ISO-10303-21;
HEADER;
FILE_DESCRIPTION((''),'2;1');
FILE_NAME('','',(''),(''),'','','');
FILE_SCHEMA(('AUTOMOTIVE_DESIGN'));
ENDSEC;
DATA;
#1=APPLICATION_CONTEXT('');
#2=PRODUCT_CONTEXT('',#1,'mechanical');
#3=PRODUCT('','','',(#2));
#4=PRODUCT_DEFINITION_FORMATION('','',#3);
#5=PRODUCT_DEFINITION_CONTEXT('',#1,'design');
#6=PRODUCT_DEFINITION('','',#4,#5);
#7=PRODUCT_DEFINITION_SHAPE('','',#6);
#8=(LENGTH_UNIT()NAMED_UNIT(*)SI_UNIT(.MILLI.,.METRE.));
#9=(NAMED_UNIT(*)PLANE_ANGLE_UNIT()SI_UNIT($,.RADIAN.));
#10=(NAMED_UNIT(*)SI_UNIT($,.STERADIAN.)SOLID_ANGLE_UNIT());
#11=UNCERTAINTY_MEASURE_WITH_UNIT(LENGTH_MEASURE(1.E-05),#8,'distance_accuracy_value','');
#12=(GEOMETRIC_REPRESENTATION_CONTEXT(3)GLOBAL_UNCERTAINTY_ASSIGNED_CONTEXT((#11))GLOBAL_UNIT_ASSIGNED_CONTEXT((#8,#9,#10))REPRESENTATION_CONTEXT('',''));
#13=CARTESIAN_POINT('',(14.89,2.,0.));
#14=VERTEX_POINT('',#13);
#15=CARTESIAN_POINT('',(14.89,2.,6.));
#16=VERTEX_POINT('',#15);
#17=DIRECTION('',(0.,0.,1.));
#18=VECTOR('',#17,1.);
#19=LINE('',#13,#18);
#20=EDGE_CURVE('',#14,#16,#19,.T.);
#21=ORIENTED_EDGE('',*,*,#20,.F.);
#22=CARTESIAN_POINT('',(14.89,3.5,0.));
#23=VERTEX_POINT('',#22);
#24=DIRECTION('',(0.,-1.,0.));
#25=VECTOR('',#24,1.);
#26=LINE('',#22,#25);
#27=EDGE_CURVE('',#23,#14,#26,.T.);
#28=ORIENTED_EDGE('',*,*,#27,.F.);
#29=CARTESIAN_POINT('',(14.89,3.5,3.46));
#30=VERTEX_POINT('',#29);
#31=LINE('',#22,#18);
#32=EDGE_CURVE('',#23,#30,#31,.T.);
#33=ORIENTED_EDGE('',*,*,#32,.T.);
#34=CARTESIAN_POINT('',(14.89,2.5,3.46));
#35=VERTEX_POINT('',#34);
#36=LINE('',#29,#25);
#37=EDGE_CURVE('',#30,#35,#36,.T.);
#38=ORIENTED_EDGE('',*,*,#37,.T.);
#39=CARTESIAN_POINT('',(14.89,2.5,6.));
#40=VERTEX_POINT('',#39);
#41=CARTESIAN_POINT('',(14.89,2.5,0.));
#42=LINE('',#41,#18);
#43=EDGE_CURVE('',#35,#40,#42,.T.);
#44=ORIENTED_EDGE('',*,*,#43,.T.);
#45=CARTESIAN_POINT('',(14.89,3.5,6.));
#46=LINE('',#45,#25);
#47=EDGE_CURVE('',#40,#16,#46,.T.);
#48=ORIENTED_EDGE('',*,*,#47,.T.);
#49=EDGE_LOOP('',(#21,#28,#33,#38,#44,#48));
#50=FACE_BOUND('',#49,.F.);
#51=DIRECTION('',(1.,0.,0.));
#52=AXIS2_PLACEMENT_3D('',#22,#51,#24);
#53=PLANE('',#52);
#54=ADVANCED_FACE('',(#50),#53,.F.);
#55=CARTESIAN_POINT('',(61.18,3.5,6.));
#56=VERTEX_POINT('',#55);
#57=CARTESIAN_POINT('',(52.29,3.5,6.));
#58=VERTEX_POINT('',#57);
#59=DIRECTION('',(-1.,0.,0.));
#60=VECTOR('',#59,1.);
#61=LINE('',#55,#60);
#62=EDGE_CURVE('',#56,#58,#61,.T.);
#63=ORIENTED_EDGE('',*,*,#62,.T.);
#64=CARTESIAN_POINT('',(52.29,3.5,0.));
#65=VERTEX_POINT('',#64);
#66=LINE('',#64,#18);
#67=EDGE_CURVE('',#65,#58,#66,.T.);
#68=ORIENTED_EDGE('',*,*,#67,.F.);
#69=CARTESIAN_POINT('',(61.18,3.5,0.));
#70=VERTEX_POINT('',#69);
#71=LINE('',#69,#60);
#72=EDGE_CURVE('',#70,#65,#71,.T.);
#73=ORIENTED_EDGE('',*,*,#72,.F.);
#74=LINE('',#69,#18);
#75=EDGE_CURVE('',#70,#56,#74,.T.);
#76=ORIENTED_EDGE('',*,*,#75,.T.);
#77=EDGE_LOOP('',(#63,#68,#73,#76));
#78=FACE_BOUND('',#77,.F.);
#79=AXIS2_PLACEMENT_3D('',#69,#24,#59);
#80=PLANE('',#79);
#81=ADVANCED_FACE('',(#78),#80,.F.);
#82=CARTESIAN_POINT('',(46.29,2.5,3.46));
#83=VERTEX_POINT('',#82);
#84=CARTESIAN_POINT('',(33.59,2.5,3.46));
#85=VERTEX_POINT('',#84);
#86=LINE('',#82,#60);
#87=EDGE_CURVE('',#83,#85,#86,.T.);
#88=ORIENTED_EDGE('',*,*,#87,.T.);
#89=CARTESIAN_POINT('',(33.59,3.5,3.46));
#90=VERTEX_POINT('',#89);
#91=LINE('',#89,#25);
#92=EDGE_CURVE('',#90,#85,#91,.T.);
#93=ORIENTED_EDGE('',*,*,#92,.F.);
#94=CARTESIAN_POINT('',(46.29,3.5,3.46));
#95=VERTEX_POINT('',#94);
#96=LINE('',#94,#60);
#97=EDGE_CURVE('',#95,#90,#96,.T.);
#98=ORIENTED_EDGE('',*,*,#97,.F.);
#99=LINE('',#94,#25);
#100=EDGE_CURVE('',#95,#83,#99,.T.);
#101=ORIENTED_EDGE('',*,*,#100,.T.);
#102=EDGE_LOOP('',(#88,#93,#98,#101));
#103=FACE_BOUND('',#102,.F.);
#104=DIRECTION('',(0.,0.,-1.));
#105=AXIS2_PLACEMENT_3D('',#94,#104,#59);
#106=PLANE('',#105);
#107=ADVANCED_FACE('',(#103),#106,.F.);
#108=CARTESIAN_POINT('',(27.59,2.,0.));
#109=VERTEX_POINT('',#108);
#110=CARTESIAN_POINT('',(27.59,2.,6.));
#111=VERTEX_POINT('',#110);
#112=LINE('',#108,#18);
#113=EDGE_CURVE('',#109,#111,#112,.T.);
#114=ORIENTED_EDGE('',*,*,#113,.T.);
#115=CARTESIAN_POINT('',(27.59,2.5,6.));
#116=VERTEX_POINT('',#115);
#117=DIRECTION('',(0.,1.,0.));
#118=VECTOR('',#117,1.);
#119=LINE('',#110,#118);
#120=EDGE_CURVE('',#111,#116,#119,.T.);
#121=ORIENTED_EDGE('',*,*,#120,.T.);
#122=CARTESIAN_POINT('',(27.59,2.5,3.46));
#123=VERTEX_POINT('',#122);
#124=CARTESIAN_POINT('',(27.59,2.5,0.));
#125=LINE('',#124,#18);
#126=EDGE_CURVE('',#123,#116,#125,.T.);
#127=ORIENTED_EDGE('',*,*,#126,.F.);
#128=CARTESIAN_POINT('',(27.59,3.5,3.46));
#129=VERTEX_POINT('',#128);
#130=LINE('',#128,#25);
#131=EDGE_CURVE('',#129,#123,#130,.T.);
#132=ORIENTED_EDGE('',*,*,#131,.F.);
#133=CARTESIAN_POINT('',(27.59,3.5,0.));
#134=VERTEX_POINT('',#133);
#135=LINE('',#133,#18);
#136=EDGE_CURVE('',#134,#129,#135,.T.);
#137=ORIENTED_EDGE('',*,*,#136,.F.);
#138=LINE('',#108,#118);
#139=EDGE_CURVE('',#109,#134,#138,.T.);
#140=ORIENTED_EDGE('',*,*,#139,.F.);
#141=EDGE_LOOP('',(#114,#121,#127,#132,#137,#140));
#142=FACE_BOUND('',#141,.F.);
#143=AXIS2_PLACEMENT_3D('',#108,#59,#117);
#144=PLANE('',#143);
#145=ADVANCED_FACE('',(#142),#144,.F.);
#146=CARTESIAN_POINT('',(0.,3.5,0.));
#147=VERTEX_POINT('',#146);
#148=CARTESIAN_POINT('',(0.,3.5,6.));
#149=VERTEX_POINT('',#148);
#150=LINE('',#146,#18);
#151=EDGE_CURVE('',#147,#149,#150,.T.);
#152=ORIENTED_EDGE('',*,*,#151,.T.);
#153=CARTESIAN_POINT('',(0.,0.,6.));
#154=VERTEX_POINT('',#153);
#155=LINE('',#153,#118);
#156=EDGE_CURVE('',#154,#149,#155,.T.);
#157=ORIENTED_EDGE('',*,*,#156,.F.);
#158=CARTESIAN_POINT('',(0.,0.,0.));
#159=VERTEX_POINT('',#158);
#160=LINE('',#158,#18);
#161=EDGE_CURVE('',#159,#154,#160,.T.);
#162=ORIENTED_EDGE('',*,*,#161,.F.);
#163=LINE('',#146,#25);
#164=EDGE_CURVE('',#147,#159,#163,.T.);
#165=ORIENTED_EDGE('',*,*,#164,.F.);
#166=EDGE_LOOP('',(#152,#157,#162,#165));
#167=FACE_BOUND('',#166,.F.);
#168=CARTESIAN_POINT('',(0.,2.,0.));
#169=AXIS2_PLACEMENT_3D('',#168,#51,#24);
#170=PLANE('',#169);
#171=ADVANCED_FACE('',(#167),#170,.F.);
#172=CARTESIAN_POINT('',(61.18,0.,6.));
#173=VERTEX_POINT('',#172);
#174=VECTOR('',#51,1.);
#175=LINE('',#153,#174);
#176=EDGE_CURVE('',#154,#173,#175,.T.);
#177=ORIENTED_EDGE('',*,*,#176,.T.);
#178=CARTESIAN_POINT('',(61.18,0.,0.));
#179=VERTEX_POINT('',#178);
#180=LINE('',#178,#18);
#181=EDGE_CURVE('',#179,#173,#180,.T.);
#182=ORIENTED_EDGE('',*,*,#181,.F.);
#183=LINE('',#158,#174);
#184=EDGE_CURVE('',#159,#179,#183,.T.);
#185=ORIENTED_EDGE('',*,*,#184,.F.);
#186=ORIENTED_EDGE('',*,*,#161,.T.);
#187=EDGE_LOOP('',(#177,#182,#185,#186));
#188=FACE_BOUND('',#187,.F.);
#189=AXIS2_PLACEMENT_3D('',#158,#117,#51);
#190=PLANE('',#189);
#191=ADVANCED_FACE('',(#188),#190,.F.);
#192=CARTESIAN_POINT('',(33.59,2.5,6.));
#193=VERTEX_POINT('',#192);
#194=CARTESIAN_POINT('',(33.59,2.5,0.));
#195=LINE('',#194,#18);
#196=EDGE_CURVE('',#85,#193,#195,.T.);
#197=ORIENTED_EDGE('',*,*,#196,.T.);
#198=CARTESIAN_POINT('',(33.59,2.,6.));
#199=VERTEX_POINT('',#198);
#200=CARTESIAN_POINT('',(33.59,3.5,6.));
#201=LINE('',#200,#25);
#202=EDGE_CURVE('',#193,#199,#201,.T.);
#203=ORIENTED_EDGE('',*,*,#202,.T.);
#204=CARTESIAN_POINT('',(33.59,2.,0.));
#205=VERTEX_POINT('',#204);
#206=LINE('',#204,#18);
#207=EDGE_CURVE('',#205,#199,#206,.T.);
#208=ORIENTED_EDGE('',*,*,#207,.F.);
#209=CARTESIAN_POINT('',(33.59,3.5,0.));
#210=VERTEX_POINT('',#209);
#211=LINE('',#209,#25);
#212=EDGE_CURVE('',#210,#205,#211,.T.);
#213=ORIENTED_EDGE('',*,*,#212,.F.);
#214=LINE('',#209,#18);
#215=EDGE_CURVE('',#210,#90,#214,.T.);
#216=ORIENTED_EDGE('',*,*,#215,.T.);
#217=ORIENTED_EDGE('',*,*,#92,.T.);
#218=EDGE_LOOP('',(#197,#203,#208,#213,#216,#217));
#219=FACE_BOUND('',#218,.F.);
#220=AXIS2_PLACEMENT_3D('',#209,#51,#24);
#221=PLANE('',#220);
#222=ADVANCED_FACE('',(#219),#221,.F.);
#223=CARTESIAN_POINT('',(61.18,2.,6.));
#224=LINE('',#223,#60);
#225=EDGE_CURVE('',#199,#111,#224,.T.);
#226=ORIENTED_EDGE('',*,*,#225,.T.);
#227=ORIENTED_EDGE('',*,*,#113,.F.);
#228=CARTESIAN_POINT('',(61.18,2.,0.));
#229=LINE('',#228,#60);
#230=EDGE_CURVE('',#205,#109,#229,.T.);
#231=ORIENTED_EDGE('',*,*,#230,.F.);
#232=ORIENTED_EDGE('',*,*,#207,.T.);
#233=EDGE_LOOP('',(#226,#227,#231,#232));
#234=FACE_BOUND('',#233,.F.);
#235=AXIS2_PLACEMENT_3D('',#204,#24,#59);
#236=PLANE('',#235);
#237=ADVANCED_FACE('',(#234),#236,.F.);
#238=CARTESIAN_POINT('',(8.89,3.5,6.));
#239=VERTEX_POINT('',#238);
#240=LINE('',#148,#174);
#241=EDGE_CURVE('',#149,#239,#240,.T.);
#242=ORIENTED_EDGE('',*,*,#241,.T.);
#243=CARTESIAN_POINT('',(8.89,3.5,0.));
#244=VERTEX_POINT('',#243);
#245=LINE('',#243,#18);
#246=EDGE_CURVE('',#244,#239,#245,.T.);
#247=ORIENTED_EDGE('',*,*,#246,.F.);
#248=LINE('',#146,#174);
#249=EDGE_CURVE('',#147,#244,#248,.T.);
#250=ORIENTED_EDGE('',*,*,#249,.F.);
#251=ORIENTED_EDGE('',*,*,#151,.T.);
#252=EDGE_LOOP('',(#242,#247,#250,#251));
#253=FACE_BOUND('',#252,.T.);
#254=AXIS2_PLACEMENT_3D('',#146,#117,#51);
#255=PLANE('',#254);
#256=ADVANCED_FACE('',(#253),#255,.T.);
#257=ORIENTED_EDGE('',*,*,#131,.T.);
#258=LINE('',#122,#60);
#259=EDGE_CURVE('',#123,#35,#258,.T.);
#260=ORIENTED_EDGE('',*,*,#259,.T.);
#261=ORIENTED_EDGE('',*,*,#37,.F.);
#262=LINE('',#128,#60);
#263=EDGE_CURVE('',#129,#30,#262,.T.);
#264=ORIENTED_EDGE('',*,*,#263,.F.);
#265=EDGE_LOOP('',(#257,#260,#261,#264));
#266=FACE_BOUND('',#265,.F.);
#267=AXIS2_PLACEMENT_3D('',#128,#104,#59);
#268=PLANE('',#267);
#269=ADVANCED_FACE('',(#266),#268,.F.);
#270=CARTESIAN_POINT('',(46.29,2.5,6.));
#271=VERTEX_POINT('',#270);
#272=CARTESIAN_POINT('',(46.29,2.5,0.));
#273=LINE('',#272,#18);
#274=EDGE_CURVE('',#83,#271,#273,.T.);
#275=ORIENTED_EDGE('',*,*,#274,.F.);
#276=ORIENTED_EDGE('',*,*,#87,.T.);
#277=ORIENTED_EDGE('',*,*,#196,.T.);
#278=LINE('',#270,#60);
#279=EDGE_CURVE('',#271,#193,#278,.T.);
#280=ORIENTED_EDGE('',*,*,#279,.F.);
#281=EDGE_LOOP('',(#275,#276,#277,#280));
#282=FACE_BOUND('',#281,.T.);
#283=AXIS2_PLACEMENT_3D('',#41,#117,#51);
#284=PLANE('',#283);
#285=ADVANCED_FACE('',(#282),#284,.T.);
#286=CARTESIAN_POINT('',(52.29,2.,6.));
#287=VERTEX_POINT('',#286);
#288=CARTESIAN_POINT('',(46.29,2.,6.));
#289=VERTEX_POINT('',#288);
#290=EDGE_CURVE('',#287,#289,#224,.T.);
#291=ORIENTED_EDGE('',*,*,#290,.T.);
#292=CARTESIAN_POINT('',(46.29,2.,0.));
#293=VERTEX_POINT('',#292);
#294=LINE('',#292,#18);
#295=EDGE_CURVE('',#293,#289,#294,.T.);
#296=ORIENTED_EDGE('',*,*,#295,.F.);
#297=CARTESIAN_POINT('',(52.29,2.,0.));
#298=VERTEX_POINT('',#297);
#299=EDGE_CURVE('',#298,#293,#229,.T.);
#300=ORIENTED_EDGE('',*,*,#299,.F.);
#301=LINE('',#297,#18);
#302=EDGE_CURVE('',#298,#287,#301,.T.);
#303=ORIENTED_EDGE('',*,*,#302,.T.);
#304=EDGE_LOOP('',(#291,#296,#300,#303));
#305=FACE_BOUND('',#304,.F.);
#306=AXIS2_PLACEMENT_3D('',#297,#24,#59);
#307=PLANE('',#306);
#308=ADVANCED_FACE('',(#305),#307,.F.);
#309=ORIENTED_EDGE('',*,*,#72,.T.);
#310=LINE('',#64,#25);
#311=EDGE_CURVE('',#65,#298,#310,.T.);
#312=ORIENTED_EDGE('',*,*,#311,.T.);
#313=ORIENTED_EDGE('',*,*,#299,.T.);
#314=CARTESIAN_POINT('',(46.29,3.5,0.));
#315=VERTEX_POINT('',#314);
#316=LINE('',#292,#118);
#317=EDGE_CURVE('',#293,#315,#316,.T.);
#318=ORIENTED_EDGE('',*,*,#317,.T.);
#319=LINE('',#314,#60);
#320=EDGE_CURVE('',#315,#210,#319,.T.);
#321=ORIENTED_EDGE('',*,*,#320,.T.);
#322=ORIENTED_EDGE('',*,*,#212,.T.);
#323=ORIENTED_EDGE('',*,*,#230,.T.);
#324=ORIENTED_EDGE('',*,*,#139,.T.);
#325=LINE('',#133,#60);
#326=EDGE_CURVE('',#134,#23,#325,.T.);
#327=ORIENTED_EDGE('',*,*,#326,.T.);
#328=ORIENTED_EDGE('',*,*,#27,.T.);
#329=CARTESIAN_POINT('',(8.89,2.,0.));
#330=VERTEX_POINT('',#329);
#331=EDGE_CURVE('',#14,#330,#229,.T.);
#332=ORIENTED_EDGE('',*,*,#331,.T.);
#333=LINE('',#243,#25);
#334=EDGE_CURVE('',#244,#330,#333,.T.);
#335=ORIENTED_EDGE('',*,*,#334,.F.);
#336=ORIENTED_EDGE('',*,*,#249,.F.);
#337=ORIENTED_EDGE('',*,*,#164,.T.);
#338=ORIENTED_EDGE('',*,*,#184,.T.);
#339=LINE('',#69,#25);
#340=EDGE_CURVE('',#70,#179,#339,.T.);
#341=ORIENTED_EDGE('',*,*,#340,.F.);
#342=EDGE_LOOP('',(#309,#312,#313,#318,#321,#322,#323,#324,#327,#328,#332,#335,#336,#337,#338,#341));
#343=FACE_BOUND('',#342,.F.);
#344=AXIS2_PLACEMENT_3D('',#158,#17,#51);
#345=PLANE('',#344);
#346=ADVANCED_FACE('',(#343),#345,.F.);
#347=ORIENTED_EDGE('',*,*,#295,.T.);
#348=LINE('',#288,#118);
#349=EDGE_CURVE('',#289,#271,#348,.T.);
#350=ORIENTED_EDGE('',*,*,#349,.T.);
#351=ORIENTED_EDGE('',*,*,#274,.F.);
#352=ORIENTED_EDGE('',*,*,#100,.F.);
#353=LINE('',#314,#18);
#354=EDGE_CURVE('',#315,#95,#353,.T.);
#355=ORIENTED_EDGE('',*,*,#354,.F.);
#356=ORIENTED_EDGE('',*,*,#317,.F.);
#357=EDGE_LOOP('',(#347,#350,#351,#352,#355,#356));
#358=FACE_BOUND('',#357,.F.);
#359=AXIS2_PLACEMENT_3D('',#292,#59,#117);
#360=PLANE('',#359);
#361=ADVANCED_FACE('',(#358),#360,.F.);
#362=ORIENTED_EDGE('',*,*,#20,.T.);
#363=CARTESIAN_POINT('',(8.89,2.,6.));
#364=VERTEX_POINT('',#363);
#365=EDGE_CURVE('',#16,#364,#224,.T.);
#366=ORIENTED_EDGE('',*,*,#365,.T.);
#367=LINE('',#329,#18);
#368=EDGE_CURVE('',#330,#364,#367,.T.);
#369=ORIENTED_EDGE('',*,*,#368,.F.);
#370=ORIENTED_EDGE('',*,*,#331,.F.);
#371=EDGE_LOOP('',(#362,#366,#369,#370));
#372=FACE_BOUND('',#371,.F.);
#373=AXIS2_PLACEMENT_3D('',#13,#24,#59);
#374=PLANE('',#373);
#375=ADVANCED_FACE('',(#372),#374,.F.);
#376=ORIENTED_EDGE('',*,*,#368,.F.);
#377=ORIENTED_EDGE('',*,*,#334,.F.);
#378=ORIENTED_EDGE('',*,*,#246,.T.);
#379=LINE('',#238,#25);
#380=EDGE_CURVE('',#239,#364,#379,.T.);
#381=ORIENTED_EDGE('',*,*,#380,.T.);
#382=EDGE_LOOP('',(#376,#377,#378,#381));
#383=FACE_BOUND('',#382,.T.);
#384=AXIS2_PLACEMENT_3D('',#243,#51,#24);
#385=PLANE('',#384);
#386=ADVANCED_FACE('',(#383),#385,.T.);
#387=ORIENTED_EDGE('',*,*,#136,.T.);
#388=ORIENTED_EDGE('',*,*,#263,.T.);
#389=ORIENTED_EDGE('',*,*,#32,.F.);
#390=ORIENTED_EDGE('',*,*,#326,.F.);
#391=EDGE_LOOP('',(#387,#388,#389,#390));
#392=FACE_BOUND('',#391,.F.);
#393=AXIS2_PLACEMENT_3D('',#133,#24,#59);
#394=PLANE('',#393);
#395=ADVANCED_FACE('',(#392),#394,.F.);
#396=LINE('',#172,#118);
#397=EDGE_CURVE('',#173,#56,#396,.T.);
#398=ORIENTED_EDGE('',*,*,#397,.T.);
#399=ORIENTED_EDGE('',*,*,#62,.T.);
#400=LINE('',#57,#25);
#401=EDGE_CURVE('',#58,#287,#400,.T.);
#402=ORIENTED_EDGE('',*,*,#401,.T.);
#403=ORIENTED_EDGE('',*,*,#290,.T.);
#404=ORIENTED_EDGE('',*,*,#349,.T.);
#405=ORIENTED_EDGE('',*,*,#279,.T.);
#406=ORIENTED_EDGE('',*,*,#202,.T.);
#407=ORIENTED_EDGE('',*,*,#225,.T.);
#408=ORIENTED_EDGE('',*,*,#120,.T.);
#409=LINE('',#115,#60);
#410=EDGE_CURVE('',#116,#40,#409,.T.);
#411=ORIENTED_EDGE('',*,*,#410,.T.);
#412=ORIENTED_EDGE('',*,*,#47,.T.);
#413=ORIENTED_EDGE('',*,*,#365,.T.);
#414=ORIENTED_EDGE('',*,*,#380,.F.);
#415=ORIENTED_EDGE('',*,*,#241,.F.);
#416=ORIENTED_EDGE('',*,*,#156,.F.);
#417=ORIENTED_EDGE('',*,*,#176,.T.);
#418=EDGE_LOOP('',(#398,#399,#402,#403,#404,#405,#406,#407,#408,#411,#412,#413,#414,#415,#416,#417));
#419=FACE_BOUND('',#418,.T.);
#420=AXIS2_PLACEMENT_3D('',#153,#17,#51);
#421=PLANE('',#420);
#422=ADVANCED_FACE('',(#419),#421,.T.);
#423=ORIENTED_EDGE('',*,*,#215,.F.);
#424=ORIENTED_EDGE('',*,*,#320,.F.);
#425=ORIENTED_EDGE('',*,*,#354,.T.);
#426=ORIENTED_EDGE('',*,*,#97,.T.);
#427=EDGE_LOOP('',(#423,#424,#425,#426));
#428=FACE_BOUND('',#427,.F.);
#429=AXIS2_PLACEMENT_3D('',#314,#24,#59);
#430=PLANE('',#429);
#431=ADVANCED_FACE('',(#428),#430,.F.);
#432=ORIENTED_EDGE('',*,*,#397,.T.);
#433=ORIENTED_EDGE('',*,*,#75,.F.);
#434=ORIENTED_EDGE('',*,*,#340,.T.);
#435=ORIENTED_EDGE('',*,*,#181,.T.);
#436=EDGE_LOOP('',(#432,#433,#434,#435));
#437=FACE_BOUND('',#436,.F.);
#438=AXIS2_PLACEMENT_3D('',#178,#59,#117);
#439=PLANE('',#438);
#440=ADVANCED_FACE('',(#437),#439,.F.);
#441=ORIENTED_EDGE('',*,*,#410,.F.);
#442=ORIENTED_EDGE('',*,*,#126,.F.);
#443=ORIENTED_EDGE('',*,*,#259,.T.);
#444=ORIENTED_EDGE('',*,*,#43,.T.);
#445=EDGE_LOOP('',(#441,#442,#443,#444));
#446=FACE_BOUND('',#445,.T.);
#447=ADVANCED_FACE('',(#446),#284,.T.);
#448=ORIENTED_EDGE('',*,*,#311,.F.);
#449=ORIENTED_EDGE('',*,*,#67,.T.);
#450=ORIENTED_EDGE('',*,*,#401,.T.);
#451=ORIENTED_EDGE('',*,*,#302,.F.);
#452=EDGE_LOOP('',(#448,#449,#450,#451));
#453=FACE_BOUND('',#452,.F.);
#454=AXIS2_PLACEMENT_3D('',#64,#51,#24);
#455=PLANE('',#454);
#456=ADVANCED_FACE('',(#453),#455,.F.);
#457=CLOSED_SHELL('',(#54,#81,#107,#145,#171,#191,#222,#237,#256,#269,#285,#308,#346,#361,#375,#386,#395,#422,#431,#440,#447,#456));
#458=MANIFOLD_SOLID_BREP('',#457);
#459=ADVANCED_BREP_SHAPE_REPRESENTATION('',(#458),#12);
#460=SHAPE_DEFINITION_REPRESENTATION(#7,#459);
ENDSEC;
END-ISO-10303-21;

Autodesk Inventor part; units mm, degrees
ref_plane "YZ Plane" through (0, 0, 0) normal (1, 0, 0) x (0, 1, 0)
ref_plane "XZ Plane" through (0, 0, 0) normal (0, 1, 0) x (-1, 0, 0)
ref_plane "XY Plane" through (0, 0, 0) normal (0, 0, 1) x (1, 0, 0)
sketch "Sketch1" plane through (0, 0, 0) normal (0, 0, 1) x (1, 0, 0)
  line L0 (0, 0) -> (61.18, 0)
  line L1 (61.18, 0) -> (61.18, 2)
  line L2 (61.18, 2) -> (0, 2)
  line L3 (0, 2) -> (0, 0)
  line L4 (14.89, 2) -> (27.59, 2)
  line L5 (27.59, 2) -> (27.59, 3.5)
  line L6 (27.59, 3.5) -> (14.89, 3.5)
  line L7 (14.89, 3.5) -> (14.89, 2)
  line L8 (33.59, 2) -> (46.29, 2)
  line L9 (46.29, 2) -> (46.29, 3.5)
  line L10 (46.29, 3.5) -> (33.59, 3.5)
  line L11 (33.59, 3.5) -> (33.59, 2)
  line L12 (8.89, 2) -> (0, 2)
  line L13 (0, 2) -> (0, 3.5)
  line L14 (0, 3.5) -> (8.89, 3.5)
  line L15 (8.89, 3.5) -> (8.89, 2)
  line L16 (52.29, 2) -> (61.18, 2)
  line L17 (61.18, 2) -> (61.18, 3.5)
  line L18 (61.18, 3.5) -> (52.29, 3.5)
  line L19 (52.29, 3.5) -> (52.29, 2)
  dimension "d0" = 6
  dimension "d1" = 2
  dimension "d2" = 1.5
  dimension "d3" = 6
  dimension "d4" = 6
  dimension "d5" = 12.7
  dimension "d6" = 8.89
  dimension "d7" = 8.89
extrude "Extrusion1" add sketch "Sketch1" along normal blind 6
sketch "Sketch2" plane through (14.89, 3.5, 0) normal (0, 1, 0) x (1, 0, 0)
  line L0 (31.4, 0) -> (18.7, 0) projected
  line L1 (18.7, 0) -> (18.7, -6) projected
  line L2 (31.4, -6) -> (18.7, -6) projected
  line L3 (31.4, 0) -> (31.4, -6) projected
  line L4 (12.7, 0) -> (0, 0) projected
  line L5 (0, 0) -> (0, -6) projected
  line L6 (12.7, -6) -> (0, -6) projected
  line L7 (12.7, 0) -> (12.7, -6) projected
  line L8 (-14.89, -6) -> (46.29, -6) projected
  line L9 (18.7, -6) -> (31.4, -6)
  line L10 (31.4, -6) -> (31.4, -3.46)
  line L11 (31.4, -3.46) -> (18.7, -3.46)
  line L12 (18.7, -3.46) -> (18.7, -6)
  line L13 (12.7, 0) -> (12.7, -6) projected
  line L14 (0, -6) -> (12.7, -6)
  line L15 (12.7, -6) -> (12.7, -3.46)
  line L16 (12.7, -3.46) -> (0, -3.46)
  line L17 (0, -3.46) -> (0, -6)
  point P0 (-14.89, 0)
  point P1 (0, -3.46)
  dimension "d14" = 2.54
extrude "Extrusion2" cut sketch "Sketch2" against normal blind 1 contours L6 L5 L16 L7 | L3 L2 L1 L11
properties part number "Button Support"
